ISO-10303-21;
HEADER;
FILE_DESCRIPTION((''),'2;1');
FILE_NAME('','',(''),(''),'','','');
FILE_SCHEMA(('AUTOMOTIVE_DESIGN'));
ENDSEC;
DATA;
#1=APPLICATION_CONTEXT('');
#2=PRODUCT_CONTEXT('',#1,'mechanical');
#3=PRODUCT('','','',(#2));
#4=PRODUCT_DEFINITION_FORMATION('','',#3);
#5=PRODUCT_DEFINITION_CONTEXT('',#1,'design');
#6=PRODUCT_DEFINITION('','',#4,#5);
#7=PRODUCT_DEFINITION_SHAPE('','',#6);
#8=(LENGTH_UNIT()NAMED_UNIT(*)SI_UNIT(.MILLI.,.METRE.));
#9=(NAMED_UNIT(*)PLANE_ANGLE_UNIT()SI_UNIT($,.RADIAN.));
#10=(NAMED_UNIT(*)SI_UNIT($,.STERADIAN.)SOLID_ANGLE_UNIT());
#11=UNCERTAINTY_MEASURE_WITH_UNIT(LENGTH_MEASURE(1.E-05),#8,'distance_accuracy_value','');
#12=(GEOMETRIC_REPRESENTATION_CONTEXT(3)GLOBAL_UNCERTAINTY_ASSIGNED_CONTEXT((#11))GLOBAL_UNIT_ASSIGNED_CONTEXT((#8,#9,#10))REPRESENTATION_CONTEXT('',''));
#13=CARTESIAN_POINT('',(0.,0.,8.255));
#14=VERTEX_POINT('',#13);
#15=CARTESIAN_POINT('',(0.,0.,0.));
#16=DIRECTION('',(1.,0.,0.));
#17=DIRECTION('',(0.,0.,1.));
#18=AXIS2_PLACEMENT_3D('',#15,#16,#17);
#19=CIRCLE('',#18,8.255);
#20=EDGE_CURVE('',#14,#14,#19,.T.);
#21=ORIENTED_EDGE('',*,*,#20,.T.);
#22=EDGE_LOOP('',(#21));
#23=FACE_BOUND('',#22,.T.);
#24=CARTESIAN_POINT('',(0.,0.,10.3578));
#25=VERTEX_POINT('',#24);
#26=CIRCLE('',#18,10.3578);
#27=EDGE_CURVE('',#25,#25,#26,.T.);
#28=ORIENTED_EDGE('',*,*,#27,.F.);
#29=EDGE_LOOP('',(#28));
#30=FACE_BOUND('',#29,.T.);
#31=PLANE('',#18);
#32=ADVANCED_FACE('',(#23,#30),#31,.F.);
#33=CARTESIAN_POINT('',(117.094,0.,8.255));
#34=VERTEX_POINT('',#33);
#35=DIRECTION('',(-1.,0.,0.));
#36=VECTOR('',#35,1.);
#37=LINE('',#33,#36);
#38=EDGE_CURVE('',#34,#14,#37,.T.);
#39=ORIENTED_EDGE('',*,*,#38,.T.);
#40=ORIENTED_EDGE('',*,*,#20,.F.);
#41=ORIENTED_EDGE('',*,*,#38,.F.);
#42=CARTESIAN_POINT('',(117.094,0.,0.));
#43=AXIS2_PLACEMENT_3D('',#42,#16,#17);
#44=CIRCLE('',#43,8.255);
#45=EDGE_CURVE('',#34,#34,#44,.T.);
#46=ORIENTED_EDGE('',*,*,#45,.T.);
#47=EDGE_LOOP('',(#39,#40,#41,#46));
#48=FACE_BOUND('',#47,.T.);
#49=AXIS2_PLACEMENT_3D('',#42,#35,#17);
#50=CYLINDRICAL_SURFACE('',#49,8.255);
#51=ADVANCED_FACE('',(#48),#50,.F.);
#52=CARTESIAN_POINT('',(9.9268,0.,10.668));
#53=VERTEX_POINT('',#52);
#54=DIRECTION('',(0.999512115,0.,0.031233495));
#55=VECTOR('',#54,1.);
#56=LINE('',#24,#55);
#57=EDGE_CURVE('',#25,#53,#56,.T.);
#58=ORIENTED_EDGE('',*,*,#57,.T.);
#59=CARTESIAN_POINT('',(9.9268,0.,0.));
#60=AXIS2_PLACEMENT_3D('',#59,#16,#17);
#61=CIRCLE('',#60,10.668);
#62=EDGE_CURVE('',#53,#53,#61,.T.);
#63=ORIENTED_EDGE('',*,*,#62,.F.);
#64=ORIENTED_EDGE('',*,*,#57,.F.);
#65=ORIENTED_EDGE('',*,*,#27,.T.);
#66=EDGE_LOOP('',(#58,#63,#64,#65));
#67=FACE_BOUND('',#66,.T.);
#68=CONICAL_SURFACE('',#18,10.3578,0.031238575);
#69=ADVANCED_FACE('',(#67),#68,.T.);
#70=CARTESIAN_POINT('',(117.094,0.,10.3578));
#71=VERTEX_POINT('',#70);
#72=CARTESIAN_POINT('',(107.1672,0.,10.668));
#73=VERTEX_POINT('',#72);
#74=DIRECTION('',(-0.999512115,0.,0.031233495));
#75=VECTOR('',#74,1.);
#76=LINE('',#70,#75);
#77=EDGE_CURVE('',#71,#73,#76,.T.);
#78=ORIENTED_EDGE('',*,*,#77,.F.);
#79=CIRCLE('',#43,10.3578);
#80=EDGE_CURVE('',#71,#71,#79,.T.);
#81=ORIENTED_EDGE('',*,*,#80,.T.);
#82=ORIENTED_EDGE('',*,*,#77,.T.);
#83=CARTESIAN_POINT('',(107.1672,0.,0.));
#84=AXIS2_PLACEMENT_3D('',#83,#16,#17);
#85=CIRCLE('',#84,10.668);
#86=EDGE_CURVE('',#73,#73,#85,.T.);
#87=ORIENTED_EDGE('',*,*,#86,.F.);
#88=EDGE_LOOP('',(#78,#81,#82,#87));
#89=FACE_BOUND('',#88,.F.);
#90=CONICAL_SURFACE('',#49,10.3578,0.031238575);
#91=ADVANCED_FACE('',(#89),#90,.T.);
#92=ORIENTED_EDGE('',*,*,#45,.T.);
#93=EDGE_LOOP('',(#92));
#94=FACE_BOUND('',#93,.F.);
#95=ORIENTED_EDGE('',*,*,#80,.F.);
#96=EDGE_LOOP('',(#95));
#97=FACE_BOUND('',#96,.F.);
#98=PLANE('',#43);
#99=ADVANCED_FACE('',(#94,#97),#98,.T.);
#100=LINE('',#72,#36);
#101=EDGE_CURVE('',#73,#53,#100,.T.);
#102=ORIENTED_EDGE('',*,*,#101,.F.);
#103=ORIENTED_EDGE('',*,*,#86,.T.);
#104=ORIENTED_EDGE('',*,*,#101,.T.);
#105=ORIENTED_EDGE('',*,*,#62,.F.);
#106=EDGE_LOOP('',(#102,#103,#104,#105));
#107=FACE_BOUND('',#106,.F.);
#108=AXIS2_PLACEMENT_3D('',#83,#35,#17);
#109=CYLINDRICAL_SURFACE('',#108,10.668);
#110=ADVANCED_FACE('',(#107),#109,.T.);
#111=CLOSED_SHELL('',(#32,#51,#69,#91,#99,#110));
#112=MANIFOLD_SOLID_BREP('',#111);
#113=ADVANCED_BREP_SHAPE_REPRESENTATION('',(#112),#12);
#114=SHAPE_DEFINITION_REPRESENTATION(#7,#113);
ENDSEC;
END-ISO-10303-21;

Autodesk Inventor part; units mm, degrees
ref_plane "YZ Plane" through (0, 0, 0) normal (1, 0, 0) x (0, 1, 0)
ref_plane "XZ Plane" through (0, 0, 0) normal (0, 1, 0) x (-1, 0, 0)
ref_plane "XY Plane" through (0, 0, 0) normal (0, 0, 1) x (1, 0, 0)
sketch "Sketch1" plane through (0, 0, 0) normal (0, 1, 0) x (-1, 0, 0)
  line L0 (0, 0) -> (-117.094, 0)
  line L1 (-117.094, 0) -> (-117.094, 8.255) construction
  line L2 (-117.094, 8.255) -> (-117.094, 10.3578)
  line L3 (-117.094, 10.3578) -> (-107.1672, 10.668)
  line L4 (-107.1672, 10.668) -> (-9.9268, 10.668)
  line L5 (-58.547, 0) -> (-58.547, 10.668) construction
  line L6 (-117.094, 8.255) -> (0, 8.255)
  line L7 (0, 0) -> (0, 8.255) construction
  line L8 (0, 8.255) -> (0, 10.3578)
  line L9 (0, 10.3578) -> (-9.9268, 10.668)
  line L10 (-103.538, 10.7814) -> (-103.538, 0) construction
  line L11 (-13.556, 10.7814) -> (-13.556, 0) construction
  line L12 (-107.1672, 10.668) -> (-103.538, 10.7814) construction
  line L13 (-107.1672, 10.668) -> (-107.1672, 0) construction
  line L14 (-9.9268, 10.668) -> (-13.556, 10.7814) construction
  line L15 (-9.9268, 10.668) -> (-9.9268, 0) construction
  dimension "d0" = 21.336
  dimension "d1" = 1.79
  dimension "d2" = 16.51
  dimension "d3" = 117.094
  dimension "d4" = 13.556
  dimension "d5" = 21.5628
revolve "Revolution1" add sketch "Sketch1" angle 360 about axis through (0, 0, 0) along (1, 0, 0)
thread "Thread1" size "1/2" designation "1/2 - 14 NPT" standard "NPT" full length
thread "Thread2" size "1/2" designation "1/2 - 14 NPT" standard "NPT" full length
equation "\"d0\" = OD"
equation "\"d2\" = ID"
equation "\"d3\" = L"
equation "\"d4\" = L2"
equation "\"d5\" = D2"
equation "\"OD\" = 21.336"
equation "\"t\" = 2.413"
equation "\"L\" = PL"
equation "\"L4\" = 19.8501"
equation "\"ID\" = 16.51"
equation "\"PL\" = 117.094"
equation "\"D2\" = 21.56282"
equation "\"L2\" = 13.55598"
equation "\"Size_Designation\" = 1.2345"
equation "\"PLmin\" = 2 * L2"
properties material "Steel, Wrought"
